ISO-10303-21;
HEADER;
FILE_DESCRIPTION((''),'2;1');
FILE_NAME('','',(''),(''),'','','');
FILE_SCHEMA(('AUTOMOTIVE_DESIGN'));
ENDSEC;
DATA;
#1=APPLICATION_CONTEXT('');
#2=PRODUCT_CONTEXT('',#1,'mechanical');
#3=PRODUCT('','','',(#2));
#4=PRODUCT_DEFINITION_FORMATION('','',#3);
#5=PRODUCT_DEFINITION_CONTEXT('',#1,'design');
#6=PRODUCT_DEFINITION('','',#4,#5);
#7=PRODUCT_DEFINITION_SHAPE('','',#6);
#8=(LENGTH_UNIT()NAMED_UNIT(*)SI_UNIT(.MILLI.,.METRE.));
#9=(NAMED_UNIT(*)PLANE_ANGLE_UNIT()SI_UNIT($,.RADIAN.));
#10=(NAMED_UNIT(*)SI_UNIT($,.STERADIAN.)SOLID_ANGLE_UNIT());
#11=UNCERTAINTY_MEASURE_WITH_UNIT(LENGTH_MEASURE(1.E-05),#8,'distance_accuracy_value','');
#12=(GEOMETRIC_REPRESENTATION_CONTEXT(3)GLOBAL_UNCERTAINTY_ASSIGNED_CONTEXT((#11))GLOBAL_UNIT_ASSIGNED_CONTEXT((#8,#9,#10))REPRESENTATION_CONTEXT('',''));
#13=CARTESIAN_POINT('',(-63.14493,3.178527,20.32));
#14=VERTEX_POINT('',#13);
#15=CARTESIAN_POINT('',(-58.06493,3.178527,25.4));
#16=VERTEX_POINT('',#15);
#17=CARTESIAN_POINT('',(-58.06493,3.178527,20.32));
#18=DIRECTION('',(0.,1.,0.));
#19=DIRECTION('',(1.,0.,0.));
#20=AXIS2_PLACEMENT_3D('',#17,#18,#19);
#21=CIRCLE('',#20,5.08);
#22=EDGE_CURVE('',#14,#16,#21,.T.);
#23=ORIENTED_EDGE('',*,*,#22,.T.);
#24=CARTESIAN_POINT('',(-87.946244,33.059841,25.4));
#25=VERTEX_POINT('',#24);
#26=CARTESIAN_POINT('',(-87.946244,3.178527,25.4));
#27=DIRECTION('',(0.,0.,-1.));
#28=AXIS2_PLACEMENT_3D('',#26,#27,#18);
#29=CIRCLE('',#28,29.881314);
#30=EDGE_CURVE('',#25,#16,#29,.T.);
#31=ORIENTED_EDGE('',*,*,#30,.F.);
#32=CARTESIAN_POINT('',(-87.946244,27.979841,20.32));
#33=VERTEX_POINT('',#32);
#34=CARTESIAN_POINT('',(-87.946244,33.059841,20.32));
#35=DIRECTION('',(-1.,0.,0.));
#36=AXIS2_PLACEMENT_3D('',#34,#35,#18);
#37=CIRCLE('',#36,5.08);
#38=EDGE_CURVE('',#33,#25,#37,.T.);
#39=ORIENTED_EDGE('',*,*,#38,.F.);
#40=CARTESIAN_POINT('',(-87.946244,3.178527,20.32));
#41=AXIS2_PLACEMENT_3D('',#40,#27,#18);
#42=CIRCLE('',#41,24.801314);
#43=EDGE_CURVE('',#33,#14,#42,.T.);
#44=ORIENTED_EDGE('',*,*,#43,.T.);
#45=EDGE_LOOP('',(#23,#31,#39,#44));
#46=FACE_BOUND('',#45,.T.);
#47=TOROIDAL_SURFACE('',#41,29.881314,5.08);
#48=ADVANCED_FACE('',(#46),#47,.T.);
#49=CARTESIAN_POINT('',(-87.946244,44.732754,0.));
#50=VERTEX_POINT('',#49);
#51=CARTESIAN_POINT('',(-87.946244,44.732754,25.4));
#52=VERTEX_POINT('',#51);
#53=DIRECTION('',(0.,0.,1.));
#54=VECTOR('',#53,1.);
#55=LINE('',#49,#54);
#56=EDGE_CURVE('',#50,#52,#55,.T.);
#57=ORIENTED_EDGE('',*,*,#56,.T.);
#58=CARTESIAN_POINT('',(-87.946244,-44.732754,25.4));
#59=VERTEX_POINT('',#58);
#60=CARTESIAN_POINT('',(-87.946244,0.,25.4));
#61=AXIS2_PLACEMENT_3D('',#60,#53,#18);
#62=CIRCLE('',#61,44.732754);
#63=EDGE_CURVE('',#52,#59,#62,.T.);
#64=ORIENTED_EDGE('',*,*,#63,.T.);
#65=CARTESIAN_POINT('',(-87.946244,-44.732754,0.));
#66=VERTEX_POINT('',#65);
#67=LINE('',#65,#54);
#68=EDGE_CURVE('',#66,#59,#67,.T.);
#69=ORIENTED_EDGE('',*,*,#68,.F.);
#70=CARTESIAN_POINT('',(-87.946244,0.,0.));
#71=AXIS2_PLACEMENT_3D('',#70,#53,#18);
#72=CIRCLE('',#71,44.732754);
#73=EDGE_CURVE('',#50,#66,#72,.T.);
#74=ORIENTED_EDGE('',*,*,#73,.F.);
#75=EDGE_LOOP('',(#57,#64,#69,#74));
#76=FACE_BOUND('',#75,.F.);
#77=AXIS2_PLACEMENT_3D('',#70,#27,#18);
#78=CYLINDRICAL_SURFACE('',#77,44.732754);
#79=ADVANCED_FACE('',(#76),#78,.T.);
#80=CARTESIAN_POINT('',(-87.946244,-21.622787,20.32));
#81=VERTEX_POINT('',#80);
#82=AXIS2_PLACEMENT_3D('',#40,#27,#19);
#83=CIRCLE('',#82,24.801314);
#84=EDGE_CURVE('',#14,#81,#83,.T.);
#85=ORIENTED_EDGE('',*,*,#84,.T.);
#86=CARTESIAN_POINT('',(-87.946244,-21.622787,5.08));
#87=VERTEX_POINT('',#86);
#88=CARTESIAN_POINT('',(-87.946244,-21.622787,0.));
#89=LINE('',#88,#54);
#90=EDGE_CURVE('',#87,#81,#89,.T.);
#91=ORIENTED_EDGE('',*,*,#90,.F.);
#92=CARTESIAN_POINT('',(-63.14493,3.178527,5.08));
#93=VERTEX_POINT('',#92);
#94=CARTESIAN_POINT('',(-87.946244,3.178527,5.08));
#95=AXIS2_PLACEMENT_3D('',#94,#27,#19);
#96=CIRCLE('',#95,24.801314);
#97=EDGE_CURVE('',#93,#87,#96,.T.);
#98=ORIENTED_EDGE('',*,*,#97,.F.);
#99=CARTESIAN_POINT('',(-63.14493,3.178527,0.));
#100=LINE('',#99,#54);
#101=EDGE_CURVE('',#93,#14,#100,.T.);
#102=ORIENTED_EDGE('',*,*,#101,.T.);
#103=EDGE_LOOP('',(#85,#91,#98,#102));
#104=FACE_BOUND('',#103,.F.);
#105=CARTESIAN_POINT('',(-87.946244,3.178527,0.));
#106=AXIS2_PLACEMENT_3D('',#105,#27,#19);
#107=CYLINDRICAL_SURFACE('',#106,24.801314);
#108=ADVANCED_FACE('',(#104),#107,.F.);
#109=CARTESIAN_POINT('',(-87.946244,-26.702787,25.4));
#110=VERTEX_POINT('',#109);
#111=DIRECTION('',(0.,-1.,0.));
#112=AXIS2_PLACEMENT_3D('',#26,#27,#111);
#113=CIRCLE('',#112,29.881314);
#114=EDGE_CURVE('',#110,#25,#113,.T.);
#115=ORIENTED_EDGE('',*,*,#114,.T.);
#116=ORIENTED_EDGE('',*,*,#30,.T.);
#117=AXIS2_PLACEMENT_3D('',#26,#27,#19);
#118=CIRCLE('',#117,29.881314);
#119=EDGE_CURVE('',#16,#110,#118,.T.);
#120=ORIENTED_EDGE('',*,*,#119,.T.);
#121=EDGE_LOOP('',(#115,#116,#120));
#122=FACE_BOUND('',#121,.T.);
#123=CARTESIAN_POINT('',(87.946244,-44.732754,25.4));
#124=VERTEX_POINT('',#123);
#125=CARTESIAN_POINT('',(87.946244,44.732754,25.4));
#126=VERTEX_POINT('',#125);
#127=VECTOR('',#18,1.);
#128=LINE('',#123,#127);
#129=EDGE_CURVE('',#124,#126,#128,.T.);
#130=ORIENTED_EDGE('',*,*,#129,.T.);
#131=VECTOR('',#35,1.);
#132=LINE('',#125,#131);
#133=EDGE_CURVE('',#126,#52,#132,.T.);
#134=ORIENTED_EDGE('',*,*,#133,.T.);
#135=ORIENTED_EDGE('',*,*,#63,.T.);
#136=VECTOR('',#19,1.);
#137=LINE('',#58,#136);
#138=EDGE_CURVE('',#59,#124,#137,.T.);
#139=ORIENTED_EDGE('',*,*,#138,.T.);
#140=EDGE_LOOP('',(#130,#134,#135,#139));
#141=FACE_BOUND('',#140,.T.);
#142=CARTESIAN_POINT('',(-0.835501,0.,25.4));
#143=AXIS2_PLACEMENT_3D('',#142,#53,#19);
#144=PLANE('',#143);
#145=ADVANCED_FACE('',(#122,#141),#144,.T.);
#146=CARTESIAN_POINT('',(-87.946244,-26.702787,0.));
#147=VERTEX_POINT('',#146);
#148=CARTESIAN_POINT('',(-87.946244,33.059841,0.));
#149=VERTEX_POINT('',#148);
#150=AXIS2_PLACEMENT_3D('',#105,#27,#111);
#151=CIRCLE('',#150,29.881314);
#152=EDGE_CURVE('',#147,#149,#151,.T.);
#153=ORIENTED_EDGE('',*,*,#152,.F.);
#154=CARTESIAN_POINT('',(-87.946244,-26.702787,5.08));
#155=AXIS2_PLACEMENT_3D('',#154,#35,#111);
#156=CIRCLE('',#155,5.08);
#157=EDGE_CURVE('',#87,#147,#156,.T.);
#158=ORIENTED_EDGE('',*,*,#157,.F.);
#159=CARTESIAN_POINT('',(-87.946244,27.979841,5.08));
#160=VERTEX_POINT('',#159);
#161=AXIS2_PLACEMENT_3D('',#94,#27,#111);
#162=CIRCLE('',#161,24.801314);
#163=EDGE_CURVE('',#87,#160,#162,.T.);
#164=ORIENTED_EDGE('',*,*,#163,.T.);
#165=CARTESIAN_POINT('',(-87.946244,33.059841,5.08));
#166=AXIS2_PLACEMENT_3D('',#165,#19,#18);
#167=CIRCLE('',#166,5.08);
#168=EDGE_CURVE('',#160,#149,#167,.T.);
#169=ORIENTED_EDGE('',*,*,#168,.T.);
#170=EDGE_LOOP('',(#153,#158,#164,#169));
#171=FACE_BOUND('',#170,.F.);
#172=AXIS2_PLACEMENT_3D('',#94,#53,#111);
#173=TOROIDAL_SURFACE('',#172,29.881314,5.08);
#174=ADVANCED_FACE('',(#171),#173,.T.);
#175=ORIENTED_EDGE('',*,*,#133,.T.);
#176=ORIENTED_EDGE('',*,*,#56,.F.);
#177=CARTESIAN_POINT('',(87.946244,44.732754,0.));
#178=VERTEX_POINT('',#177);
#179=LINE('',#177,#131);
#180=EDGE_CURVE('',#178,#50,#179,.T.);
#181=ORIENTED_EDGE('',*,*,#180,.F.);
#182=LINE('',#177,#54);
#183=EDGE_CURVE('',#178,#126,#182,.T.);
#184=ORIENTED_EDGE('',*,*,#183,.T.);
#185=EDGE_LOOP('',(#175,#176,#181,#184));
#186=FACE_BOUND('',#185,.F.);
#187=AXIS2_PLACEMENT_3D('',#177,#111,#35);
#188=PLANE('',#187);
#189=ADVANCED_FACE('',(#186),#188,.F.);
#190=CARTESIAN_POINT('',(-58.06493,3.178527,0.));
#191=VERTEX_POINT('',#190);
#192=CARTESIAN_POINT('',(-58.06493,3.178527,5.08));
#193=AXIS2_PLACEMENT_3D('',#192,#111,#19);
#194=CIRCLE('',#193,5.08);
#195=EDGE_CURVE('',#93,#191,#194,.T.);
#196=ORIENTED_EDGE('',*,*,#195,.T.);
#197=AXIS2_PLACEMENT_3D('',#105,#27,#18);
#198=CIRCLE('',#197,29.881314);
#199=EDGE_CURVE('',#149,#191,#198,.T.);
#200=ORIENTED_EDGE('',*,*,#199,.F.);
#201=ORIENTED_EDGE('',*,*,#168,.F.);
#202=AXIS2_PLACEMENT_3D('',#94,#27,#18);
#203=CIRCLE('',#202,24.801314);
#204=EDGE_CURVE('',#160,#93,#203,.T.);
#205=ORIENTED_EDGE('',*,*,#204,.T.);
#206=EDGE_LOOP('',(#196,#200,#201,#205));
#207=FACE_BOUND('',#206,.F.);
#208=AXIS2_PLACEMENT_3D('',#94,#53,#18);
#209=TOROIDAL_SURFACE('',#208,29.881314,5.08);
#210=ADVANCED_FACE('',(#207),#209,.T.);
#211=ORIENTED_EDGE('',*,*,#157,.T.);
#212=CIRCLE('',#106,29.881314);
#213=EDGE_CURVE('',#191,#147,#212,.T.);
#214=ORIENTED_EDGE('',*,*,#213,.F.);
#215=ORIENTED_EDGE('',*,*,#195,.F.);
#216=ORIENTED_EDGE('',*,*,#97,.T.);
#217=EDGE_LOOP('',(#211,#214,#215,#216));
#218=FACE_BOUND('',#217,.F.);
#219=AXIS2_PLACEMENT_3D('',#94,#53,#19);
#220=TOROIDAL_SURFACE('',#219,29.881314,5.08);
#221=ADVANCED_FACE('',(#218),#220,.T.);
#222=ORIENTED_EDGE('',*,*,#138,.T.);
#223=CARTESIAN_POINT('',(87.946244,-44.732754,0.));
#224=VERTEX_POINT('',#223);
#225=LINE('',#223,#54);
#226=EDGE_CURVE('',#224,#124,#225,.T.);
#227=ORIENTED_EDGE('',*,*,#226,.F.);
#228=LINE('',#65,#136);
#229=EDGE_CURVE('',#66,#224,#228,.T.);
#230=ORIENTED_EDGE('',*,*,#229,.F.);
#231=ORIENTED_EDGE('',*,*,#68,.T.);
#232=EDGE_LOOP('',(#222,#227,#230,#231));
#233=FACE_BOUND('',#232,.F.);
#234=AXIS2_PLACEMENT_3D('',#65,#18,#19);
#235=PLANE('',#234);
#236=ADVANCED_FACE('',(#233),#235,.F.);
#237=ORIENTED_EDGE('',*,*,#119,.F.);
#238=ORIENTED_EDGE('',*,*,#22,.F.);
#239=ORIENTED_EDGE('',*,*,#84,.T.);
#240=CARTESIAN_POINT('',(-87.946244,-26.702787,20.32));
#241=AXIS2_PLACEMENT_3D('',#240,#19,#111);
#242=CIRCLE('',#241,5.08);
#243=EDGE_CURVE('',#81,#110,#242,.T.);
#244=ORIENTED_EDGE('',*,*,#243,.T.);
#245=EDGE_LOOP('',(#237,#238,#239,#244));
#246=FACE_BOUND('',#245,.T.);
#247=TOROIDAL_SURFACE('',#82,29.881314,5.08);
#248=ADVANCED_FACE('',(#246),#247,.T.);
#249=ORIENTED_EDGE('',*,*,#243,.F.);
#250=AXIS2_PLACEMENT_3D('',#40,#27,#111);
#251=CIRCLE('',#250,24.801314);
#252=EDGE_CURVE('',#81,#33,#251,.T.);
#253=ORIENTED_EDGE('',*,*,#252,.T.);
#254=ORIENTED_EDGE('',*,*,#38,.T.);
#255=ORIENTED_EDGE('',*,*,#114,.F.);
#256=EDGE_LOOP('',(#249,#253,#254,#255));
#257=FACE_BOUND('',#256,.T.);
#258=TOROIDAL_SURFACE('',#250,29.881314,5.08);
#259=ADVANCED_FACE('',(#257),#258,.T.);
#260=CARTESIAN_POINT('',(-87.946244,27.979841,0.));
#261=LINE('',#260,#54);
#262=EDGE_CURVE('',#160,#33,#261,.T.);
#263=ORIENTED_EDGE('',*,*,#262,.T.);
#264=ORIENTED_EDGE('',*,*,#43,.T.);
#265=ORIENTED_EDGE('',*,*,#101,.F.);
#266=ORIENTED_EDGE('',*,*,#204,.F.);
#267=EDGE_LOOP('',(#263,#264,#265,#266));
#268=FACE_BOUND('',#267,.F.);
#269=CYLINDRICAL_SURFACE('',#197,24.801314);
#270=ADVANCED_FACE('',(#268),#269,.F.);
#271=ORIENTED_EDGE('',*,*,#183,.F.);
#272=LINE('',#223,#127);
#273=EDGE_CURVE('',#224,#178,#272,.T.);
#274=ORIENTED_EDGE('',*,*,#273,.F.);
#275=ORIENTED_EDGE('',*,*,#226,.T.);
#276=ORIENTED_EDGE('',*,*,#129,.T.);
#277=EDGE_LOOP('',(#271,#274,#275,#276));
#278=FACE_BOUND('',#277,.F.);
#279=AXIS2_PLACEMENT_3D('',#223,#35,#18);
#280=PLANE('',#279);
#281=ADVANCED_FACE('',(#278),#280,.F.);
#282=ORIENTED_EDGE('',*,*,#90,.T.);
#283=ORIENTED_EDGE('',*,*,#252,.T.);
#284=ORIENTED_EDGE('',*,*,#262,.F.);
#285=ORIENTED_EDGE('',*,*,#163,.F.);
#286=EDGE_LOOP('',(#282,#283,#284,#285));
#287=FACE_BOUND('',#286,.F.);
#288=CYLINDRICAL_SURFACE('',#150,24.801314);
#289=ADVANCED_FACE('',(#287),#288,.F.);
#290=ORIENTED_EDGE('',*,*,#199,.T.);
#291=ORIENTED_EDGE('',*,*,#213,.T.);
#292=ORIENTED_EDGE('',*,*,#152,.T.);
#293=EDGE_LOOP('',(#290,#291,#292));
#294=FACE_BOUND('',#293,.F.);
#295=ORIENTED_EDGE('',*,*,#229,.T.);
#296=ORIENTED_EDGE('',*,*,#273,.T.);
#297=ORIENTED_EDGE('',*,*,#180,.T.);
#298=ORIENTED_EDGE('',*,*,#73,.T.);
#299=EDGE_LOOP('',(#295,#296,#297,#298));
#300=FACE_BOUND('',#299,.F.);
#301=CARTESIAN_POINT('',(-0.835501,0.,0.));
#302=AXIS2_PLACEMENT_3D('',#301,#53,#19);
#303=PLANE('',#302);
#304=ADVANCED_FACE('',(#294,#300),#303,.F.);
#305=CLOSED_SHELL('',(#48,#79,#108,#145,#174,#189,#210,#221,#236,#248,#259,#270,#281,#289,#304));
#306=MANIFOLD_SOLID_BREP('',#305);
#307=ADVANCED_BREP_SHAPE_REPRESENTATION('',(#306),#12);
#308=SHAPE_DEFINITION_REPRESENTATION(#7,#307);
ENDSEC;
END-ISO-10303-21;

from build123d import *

# Parameters (mm, degrees)
F1_DEPTH = 25.4
F2_R     = 5.08


with BuildPart() as f1:
    # F0 (on Top) → F1 (new body)
    with BuildSketch(Plane.XY):
        with BuildLine():
            Line((-87.9462435842, -44.732753955), (87.9462435842, -44.732753955))
            Line((87.9462435842, -44.732753955), (87.9462435842, 44.732753955))
            Line((87.9462435842, 44.732753955), (-87.9462435842, 44.732753955))
            ThreePointArc((-87.9462435842, 44.732753955), (-56.3154099215, 31.6308336627), (-43.2134896292, 0))
            ThreePointArc((-43.2134896292, 0), (-56.3154099215, -31.6308336627), (-87.9462435842, -44.732753955))
        make_face()
        with BuildLine():
            ThreePointArc((-87.9462435842, 44.732753955), (-132.6789975391, 0), (-87.9462435842, -44.732753955))
            Line((-87.9462435842, -44.732753955), (-87.9462435842, -21.6227868828))
            ThreePointArc((-87.9462435842, -21.6227868828), (-112.74755758, 3.1785271131), (-87.9462435842, 27.9798411089))
            Line((-87.9462435842, 27.9798411089), (-87.9462435842, 44.732753955))
        make_face()
        with BuildLine():
            Line((-87.9462435842, -21.6227868828), (-87.9462435842, -44.732753955))
            ThreePointArc((-87.9462435842, -44.732753955), (-56.3154099215, -31.6308336627), (-43.2134896292, 0))
            ThreePointArc((-43.2134896292, 0), (-56.3154099215, 31.6308336627), (-87.9462435842, 44.732753955))
            Line((-87.9462435842, 44.732753955), (-87.9462435842, 27.9798411089))
            ThreePointArc((-87.9462435842, 27.9798411089), (-70.4090662754, 20.7157044218), (-63.1449295883, 3.1785271131))
            ThreePointArc((-63.1449295883, 3.1785271131), (-70.4090662754, -14.3586501957), (-87.9462435842, -21.6227868828))
        make_face()
    extrude(amount=F1_DEPTH)

    # F2
    f2_edges = [f1.edges().sort_by_distance(p)[0] for p in [
        (-63.14493, 3.178527, 12.7),
        (-112.747558, 3.178527, 0),
        (-112.747558, 3.178527, 25.4),
    ]]
    fillet(f2_edges, radius=F2_R)


solid = f1.part
